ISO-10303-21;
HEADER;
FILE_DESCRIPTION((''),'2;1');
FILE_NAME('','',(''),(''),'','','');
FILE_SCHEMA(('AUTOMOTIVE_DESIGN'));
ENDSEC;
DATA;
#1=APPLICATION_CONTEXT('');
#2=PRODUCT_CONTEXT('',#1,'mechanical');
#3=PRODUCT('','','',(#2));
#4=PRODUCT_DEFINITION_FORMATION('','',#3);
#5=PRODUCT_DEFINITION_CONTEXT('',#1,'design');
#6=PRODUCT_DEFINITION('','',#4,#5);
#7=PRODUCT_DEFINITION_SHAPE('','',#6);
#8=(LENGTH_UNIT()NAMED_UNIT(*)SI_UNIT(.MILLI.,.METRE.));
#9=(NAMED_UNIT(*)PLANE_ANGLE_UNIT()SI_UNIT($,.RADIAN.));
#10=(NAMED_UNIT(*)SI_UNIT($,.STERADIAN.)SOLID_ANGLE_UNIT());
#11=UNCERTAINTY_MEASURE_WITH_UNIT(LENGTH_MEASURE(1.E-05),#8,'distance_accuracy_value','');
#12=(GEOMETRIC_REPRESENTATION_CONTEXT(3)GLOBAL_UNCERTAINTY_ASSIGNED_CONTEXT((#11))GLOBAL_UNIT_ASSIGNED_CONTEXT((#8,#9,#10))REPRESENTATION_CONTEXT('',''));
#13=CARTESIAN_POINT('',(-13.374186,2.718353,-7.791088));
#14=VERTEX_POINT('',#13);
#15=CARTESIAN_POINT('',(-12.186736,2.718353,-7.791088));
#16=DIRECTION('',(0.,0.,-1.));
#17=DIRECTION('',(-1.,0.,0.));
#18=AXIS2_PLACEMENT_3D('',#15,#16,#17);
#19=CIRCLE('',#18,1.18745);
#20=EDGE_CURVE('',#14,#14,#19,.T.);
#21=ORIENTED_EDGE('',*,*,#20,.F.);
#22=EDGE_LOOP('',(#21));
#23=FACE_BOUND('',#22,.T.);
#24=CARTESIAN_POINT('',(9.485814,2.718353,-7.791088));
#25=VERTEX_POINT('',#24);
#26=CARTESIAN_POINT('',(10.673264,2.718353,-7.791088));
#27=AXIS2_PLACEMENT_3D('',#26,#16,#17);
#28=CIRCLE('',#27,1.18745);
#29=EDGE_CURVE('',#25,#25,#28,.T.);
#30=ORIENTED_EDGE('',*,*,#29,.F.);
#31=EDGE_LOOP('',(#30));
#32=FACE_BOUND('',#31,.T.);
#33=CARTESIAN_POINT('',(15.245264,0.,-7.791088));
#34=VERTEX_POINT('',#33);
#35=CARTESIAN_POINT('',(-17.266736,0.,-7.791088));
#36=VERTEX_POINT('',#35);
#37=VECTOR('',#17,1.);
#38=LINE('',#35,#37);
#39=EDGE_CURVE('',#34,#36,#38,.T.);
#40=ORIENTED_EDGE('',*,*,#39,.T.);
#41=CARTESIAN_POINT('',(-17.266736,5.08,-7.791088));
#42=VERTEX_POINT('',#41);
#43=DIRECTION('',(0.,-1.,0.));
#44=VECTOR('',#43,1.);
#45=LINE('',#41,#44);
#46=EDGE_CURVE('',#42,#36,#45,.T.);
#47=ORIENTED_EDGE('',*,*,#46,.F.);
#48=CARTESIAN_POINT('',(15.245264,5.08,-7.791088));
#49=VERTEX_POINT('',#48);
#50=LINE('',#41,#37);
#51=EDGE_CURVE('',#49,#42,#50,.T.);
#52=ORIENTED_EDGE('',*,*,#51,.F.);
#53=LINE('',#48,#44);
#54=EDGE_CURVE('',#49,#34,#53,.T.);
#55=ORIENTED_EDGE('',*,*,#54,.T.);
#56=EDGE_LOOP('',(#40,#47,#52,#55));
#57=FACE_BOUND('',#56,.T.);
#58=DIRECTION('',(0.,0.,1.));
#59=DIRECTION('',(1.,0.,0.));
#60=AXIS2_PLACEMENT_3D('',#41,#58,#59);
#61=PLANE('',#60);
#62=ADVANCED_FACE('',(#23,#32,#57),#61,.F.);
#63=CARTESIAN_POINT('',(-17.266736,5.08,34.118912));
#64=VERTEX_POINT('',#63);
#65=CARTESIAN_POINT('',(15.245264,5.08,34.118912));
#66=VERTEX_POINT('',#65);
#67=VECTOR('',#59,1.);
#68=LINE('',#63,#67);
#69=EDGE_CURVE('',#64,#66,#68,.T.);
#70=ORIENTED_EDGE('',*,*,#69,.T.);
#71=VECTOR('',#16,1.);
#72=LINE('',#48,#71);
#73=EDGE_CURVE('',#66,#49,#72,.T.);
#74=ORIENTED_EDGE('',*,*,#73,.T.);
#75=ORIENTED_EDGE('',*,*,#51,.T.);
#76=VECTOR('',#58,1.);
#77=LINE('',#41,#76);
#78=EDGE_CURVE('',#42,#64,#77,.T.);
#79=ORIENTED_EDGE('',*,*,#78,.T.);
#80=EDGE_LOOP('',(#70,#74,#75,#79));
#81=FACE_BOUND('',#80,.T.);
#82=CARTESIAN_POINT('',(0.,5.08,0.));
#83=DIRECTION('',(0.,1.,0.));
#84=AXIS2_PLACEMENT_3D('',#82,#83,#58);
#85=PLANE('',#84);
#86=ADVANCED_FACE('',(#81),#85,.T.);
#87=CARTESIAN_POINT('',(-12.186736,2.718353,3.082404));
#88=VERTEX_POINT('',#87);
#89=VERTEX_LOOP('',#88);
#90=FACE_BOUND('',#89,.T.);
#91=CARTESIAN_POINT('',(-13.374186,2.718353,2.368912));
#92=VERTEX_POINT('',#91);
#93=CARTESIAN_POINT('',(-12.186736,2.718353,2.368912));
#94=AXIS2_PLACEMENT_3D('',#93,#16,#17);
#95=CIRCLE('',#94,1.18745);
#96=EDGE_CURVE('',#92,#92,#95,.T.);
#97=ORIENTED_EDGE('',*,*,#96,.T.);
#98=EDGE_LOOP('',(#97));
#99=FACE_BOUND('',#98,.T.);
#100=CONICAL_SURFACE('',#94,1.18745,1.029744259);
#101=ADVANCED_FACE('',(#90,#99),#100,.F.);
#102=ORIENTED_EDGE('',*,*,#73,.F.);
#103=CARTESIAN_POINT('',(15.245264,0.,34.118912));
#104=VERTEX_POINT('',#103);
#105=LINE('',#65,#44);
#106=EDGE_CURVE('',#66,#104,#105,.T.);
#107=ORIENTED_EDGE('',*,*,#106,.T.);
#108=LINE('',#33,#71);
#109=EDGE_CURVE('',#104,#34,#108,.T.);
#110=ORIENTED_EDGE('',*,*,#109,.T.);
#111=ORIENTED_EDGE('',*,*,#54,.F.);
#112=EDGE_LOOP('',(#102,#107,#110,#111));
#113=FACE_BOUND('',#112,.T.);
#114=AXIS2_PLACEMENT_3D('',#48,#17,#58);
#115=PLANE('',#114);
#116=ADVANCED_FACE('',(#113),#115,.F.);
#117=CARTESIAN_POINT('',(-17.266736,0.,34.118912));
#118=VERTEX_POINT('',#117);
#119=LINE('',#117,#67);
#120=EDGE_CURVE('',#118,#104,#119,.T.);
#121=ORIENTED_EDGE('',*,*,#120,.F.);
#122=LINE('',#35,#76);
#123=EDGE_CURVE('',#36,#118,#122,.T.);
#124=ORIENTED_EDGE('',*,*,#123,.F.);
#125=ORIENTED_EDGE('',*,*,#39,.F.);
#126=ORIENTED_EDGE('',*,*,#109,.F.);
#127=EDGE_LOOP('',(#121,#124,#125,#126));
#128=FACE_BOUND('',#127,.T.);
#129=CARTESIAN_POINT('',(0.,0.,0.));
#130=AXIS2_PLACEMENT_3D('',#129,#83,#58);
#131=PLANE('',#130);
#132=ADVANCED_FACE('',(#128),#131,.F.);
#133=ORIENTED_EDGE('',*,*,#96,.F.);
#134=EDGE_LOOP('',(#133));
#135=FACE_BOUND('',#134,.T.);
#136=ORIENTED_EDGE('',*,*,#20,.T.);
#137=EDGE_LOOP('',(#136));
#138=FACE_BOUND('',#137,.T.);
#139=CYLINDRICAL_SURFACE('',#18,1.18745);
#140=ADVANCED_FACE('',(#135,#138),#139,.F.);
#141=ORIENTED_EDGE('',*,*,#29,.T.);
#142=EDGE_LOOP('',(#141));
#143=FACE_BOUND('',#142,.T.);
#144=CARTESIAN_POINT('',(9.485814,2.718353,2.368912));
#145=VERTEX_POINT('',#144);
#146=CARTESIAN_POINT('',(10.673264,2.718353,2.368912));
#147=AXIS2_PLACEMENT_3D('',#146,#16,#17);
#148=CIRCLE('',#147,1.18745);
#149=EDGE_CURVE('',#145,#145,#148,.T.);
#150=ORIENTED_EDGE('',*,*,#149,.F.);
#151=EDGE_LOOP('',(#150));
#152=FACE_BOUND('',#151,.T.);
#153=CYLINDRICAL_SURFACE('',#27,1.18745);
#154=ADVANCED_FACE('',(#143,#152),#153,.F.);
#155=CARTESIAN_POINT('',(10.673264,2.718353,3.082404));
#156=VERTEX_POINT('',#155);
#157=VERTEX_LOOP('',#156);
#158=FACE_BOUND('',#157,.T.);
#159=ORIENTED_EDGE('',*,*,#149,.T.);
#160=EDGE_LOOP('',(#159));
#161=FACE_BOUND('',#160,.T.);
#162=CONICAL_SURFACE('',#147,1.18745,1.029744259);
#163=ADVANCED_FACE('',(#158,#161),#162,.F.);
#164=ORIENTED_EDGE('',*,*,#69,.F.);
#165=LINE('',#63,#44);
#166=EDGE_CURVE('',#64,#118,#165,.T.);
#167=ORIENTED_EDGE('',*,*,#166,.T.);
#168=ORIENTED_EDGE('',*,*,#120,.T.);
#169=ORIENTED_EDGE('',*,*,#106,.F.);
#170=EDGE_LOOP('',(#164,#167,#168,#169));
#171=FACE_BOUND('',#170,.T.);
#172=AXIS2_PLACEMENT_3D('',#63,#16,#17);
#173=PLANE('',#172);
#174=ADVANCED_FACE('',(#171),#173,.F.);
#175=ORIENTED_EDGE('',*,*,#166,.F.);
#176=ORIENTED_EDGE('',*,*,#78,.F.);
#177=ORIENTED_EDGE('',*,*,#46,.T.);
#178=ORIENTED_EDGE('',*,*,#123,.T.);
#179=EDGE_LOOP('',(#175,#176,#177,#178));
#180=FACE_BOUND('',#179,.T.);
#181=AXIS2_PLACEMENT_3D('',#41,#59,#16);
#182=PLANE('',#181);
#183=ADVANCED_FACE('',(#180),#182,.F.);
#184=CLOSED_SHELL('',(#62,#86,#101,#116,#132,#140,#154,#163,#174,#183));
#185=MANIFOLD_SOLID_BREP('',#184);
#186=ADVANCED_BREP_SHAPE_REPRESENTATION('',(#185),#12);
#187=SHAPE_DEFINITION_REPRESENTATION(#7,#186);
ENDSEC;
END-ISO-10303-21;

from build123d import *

# Parameters (mm, degrees)
SKETCH1_W                     = 32.512
SKETCH1_H                     = 41.91
BOSS_EXTRUDE1_DEPTH           = 5.08
TAP_DRILL_FOR_4_48_TAP1_D     = 2.3749
TAP_DRILL_FOR_4_48_TAP1_DEPTH = 10.16
TAP_DRILL_FOR_4_48_TAP1_TIP   = 0.713491942


with BuildPart() as part:
    # Sketch1 → Boss-Extrude1 (new body)
    with BuildSketch(Plane(origin=(0, 0, 0), x_dir=(1, 0, 0), z_dir=(0, 1, 0))):
        with Locations((-1.010735751, -13.163911917)):
            Rectangle(SKETCH1_W, SKETCH1_H)
    extrude(amount=BOSS_EXTRUDE1_DEPTH)

    # Tap Drill for #4-48 Tap1
    with Locations(Plane(origin=(0, 0, -7.791088083), x_dir=(-1, 0, 0), z_dir=(0, 0, -1))):
        with Locations((12.186735751, 2.718353123), (-10.673264249, 2.718353123)):
            Hole(TAP_DRILL_FOR_4_48_TAP1_D / 2, depth=TAP_DRILL_FOR_4_48_TAP1_DEPTH)
            with Locations((0, 0, -(TAP_DRILL_FOR_4_48_TAP1_DEPTH + TAP_DRILL_FOR_4_48_TAP1_TIP / 2))):  # 118° drill point
                Cone(0, TAP_DRILL_FOR_4_48_TAP1_D / 2, TAP_DRILL_FOR_4_48_TAP1_TIP, mode=Mode.SUBTRACT)


solid = part.part
